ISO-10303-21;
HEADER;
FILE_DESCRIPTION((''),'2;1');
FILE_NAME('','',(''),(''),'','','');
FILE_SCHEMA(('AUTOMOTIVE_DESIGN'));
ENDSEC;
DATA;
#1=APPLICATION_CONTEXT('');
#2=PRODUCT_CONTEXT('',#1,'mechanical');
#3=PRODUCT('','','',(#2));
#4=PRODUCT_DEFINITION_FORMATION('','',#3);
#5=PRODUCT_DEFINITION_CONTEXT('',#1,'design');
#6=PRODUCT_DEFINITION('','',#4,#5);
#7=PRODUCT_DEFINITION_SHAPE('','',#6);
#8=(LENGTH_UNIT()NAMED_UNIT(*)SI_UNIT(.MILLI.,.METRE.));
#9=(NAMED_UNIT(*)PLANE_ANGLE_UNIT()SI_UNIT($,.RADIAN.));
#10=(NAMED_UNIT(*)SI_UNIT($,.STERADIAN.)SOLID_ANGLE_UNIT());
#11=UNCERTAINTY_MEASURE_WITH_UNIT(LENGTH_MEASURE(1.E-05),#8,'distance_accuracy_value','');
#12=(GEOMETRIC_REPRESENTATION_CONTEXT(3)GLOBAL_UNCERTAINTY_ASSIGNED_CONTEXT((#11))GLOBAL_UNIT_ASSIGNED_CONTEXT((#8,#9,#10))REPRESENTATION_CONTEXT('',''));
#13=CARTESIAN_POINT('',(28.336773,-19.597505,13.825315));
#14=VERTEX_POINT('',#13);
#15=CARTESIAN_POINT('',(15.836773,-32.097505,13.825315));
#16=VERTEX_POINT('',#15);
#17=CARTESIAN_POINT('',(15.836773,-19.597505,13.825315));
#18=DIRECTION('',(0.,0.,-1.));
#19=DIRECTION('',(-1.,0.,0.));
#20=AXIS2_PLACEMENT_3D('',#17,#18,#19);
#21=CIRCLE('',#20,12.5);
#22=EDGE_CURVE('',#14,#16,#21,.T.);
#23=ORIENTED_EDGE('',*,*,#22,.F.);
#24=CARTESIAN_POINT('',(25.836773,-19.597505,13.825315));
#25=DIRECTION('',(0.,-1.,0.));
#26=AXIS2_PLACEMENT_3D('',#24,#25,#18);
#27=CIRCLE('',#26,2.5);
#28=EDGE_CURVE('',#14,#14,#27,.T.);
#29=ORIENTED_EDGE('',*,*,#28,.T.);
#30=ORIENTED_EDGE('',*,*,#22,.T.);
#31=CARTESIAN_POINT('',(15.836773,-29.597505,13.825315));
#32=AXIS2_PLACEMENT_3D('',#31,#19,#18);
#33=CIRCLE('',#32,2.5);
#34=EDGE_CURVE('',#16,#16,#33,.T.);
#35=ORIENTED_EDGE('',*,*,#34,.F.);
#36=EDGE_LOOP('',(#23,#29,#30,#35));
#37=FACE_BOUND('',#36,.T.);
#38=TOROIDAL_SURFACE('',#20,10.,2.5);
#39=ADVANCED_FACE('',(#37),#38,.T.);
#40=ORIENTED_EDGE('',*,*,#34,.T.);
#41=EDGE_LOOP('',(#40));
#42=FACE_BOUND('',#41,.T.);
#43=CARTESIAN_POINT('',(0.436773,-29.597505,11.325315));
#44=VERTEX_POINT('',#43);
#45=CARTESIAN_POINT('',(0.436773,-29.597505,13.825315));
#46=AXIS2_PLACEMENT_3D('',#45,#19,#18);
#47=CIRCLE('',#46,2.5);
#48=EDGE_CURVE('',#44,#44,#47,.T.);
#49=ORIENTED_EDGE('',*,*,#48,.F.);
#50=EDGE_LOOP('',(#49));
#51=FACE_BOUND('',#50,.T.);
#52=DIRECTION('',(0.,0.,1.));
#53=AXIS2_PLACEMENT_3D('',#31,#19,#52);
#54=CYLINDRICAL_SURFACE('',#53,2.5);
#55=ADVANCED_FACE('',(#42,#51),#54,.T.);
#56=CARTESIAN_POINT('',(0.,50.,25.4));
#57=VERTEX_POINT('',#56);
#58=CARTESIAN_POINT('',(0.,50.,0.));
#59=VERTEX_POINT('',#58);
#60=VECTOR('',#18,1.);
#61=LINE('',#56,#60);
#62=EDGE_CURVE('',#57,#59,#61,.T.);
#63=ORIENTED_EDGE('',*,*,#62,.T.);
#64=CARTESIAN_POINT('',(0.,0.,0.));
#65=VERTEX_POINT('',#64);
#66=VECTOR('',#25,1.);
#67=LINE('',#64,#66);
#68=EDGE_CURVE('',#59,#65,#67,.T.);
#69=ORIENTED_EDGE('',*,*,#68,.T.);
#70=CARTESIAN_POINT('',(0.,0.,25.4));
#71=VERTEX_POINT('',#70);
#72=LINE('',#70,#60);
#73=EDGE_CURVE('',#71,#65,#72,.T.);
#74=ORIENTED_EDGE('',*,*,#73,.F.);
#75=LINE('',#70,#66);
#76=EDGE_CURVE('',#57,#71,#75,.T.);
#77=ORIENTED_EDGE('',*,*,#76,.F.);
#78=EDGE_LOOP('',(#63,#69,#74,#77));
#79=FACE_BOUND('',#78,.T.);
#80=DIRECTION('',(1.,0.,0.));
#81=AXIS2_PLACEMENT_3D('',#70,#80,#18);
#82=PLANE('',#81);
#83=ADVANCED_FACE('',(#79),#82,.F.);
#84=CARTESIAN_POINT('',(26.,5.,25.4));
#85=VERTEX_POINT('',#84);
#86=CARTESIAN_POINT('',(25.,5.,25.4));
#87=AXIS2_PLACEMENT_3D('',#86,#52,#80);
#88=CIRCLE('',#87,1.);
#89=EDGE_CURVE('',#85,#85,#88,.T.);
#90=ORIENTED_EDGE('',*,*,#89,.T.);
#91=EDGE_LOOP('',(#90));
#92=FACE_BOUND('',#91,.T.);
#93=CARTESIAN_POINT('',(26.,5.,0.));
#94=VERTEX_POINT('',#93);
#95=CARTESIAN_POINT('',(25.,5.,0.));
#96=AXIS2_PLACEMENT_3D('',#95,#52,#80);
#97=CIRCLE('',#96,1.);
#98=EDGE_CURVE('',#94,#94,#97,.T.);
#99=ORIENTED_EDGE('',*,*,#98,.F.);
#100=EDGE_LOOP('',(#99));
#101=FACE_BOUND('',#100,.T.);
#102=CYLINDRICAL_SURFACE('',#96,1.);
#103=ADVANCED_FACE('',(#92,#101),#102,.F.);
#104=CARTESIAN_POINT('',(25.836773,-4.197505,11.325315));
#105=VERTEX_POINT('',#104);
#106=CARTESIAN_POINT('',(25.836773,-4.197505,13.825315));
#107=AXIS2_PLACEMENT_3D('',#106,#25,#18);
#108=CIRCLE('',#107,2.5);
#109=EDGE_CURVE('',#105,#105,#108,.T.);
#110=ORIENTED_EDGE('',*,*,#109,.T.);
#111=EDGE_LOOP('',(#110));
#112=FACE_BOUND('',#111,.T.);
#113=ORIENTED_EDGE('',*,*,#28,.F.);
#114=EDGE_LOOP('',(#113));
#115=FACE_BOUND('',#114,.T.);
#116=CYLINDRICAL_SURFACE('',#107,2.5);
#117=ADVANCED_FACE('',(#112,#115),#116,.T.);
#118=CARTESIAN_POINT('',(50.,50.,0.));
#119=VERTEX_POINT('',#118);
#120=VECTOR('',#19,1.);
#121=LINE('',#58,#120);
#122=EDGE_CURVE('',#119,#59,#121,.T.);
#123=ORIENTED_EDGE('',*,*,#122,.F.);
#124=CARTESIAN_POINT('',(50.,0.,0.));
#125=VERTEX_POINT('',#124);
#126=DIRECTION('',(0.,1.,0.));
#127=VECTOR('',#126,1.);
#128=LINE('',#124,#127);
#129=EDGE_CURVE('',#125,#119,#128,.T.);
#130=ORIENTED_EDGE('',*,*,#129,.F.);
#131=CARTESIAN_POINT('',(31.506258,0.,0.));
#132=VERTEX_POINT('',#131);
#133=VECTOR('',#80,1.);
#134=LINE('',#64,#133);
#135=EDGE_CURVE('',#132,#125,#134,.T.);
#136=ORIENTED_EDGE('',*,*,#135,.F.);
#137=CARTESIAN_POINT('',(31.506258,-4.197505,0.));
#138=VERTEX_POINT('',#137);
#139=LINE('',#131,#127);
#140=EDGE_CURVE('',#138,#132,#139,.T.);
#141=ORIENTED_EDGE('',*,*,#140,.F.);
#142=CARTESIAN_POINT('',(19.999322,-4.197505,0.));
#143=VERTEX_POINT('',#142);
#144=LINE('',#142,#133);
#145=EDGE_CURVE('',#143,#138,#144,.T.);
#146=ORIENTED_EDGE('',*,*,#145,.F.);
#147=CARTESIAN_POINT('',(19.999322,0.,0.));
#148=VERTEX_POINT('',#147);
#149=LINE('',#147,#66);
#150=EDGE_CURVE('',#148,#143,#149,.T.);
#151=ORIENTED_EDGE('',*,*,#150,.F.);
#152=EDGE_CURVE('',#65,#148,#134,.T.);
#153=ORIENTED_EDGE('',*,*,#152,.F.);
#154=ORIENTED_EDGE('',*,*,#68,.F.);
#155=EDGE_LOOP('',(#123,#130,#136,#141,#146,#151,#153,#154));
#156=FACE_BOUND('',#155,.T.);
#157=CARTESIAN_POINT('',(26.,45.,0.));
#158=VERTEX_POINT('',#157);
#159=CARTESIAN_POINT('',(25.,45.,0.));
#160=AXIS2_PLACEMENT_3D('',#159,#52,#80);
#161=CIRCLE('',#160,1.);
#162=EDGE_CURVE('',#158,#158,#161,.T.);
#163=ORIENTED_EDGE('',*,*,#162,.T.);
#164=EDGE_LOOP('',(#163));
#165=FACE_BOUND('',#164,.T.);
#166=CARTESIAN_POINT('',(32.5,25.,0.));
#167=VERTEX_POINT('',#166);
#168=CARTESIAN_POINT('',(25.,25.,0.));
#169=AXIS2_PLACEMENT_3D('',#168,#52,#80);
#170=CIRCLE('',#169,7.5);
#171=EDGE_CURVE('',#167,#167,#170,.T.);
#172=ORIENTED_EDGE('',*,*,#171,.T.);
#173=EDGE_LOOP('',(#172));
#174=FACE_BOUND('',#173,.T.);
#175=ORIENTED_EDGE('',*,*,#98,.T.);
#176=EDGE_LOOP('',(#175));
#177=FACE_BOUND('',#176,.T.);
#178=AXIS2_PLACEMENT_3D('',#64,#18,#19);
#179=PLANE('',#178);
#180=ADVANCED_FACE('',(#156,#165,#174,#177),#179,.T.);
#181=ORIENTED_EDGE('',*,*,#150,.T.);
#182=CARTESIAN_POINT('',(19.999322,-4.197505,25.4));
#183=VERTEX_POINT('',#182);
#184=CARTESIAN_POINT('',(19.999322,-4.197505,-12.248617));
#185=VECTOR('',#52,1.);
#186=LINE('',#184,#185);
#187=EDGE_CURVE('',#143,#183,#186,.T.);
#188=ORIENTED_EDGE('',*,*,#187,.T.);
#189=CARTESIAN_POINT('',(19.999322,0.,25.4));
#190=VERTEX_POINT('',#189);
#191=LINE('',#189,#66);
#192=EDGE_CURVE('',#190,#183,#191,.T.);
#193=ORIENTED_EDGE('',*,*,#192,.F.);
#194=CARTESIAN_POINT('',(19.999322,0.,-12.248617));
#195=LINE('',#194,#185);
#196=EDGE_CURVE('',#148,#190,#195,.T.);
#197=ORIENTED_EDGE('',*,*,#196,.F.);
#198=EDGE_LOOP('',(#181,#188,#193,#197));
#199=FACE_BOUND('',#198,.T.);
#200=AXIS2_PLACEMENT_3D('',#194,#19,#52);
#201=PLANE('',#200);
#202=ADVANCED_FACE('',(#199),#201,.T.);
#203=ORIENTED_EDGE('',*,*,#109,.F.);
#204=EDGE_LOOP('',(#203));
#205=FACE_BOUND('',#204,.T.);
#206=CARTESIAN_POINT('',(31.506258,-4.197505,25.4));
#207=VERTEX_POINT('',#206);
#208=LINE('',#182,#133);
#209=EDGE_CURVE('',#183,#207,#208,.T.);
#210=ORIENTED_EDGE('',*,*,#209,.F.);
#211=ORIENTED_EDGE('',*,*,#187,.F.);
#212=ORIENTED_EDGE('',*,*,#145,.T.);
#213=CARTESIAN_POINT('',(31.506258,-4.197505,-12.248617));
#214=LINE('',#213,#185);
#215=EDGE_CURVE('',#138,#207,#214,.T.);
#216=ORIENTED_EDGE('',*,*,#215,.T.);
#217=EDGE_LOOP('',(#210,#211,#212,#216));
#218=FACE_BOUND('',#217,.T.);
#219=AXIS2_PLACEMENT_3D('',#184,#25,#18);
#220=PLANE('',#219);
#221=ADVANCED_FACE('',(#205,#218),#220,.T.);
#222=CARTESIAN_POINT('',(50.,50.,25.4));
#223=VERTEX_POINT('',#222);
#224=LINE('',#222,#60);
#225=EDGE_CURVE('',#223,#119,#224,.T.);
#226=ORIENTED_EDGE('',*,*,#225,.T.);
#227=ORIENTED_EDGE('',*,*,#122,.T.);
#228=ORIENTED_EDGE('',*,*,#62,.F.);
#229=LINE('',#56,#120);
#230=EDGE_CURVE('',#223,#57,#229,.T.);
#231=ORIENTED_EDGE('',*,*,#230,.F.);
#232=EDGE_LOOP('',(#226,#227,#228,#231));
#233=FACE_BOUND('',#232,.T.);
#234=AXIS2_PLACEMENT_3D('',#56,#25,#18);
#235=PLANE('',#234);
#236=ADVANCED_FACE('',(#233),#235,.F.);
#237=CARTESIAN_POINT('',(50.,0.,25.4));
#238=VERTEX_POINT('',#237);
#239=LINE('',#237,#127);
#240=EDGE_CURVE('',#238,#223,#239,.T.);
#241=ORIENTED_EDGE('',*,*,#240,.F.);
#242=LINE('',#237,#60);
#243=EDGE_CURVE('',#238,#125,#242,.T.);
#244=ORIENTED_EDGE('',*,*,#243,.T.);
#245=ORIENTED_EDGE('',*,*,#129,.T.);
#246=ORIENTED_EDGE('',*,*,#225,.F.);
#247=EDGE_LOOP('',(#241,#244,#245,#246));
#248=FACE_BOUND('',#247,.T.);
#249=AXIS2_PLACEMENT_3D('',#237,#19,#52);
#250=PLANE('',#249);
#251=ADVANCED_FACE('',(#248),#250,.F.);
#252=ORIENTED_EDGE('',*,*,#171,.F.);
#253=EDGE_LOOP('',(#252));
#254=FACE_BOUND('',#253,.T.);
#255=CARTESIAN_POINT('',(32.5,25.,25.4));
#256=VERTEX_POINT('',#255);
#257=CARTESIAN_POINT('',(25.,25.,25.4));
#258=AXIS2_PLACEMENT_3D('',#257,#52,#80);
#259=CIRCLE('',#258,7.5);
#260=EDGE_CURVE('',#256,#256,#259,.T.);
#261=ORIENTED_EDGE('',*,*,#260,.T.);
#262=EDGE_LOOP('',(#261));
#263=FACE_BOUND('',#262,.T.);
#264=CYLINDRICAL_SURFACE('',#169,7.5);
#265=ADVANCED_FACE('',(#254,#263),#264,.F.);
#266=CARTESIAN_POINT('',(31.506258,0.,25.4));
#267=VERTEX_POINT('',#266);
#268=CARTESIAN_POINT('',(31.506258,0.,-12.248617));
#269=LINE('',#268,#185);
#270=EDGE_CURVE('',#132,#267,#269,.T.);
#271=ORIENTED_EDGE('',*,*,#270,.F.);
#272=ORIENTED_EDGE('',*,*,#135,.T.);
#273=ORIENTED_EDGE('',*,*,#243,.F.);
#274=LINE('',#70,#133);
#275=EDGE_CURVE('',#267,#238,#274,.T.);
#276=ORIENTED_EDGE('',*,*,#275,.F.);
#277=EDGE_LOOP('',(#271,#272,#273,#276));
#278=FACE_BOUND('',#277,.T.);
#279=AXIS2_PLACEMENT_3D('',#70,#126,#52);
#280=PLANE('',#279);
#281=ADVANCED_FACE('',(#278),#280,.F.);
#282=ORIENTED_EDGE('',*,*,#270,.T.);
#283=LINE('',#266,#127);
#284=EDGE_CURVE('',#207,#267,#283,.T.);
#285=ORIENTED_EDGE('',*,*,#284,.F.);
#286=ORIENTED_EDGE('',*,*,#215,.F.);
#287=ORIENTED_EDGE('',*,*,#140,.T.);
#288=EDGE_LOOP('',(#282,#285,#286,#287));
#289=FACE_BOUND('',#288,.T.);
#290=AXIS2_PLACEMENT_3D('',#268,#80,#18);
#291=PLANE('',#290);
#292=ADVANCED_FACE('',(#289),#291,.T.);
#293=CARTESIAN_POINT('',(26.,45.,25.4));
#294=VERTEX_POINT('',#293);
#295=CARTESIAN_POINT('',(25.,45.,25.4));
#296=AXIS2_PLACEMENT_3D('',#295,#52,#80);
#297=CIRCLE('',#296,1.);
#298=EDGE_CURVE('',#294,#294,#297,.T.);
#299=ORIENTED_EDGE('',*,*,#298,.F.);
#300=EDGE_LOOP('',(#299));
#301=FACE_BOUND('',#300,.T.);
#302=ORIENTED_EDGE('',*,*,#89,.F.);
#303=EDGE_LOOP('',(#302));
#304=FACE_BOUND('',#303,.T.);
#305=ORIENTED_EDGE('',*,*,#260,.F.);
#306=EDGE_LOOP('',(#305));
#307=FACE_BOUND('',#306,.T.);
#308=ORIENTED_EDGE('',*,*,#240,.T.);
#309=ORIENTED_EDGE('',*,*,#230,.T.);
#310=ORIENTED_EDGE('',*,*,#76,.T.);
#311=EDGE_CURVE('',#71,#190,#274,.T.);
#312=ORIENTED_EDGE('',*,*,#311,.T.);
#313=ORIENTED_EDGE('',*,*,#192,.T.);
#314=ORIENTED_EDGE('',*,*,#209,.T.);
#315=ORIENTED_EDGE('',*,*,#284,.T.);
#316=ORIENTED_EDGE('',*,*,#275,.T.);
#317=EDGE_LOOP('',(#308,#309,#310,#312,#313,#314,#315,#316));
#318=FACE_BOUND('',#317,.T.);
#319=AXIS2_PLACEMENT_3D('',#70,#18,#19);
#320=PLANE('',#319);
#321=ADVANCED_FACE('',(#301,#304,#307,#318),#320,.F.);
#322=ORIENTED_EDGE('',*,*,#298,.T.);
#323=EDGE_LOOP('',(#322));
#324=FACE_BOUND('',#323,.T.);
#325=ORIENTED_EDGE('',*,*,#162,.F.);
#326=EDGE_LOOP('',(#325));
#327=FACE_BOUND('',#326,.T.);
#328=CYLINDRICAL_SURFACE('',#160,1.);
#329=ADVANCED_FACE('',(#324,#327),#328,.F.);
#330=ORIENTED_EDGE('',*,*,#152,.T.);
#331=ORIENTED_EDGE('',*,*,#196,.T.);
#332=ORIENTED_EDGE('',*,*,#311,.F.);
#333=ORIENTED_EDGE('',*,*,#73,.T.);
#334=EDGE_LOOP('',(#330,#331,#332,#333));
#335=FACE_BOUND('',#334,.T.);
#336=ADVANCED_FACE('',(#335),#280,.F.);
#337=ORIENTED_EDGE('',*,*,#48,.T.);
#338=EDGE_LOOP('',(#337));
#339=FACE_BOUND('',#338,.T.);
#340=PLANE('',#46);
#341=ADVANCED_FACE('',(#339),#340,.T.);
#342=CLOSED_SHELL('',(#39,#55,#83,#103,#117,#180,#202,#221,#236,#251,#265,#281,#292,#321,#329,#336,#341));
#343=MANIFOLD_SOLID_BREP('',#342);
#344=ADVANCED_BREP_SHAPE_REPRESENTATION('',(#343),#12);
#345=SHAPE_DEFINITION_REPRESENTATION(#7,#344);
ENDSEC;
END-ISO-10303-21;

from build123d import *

# Parameters (mm, degrees)
SKETCH1_W           = 50
SKETCH1_H           = 50
BOSS_EXTRUDE1_DEPTH = 25.4
SKETCH2_R           = 7.5
SKETCH2_R_2         = 1
CUT_EXTRUDE1_DEPTH  = 26.4
SKETCH3_W           = 11.506935687
SKETCH3_H           = 4.197505038
BOSS_EXTRUDE2_DEPTH = 25.4
SKETCH4_R           = 2.5


with BuildPart() as part:
    # Sketch1 → Boss-Extrude1 (new body)
    with BuildSketch(Plane.XY):
        with Locations((25, 25)):
            Rectangle(SKETCH1_W, SKETCH1_H)
    extrude(amount=BOSS_EXTRUDE1_DEPTH)

    # Sketch2 → Cut-Extrude1 (cut, through all)
    with BuildSketch(Plane.XY.offset(25.4)):
        with Locations((25, 25)):
            Circle(SKETCH2_R)
        with Locations((25, 45)):
            Circle(SKETCH2_R_2)
        with Locations((25, 5)):
            Circle(SKETCH2_R_2)
    extrude(amount=-CUT_EXTRUDE1_DEPTH, mode=Mode.SUBTRACT)

    # Sketch3 → Boss-Extrude2 (add)
    with BuildSketch(Plane.XY.offset(25.4)):
        with Locations((25.752790186, -2.098752519)):
            Rectangle(SKETCH3_W, SKETCH3_H)
    extrude(amount=-BOSS_EXTRUDE2_DEPTH)

    # Sweep1: sweep along a path in Sketch5
    with BuildLine(Plane(origin=(0, 0, 13.825315415), x_dir=(-1, 0, 0), z_dir=(0, 0, -1))) as sweep1_path:
        Line((-25.836773001, -4.197505038), (-25.836773001, -19.597505038))
        ThreePointArc((-25.836773001, -19.597505038), (-22.907840813, -26.66857285), (-15.836773001, -29.597505038))
        Line((-15.836773001, -29.597505038), (-0.436773001, -29.597505038))
    # Sketch4 → Sweep1 (sweep)
    with BuildSketch(Plane.XZ.offset(4.197505038)):
        with Locations((25.836773001, 13.825315415)):
            Circle(SKETCH4_R)
    sweep(path=sweep1_path.line)


solid = part.part
